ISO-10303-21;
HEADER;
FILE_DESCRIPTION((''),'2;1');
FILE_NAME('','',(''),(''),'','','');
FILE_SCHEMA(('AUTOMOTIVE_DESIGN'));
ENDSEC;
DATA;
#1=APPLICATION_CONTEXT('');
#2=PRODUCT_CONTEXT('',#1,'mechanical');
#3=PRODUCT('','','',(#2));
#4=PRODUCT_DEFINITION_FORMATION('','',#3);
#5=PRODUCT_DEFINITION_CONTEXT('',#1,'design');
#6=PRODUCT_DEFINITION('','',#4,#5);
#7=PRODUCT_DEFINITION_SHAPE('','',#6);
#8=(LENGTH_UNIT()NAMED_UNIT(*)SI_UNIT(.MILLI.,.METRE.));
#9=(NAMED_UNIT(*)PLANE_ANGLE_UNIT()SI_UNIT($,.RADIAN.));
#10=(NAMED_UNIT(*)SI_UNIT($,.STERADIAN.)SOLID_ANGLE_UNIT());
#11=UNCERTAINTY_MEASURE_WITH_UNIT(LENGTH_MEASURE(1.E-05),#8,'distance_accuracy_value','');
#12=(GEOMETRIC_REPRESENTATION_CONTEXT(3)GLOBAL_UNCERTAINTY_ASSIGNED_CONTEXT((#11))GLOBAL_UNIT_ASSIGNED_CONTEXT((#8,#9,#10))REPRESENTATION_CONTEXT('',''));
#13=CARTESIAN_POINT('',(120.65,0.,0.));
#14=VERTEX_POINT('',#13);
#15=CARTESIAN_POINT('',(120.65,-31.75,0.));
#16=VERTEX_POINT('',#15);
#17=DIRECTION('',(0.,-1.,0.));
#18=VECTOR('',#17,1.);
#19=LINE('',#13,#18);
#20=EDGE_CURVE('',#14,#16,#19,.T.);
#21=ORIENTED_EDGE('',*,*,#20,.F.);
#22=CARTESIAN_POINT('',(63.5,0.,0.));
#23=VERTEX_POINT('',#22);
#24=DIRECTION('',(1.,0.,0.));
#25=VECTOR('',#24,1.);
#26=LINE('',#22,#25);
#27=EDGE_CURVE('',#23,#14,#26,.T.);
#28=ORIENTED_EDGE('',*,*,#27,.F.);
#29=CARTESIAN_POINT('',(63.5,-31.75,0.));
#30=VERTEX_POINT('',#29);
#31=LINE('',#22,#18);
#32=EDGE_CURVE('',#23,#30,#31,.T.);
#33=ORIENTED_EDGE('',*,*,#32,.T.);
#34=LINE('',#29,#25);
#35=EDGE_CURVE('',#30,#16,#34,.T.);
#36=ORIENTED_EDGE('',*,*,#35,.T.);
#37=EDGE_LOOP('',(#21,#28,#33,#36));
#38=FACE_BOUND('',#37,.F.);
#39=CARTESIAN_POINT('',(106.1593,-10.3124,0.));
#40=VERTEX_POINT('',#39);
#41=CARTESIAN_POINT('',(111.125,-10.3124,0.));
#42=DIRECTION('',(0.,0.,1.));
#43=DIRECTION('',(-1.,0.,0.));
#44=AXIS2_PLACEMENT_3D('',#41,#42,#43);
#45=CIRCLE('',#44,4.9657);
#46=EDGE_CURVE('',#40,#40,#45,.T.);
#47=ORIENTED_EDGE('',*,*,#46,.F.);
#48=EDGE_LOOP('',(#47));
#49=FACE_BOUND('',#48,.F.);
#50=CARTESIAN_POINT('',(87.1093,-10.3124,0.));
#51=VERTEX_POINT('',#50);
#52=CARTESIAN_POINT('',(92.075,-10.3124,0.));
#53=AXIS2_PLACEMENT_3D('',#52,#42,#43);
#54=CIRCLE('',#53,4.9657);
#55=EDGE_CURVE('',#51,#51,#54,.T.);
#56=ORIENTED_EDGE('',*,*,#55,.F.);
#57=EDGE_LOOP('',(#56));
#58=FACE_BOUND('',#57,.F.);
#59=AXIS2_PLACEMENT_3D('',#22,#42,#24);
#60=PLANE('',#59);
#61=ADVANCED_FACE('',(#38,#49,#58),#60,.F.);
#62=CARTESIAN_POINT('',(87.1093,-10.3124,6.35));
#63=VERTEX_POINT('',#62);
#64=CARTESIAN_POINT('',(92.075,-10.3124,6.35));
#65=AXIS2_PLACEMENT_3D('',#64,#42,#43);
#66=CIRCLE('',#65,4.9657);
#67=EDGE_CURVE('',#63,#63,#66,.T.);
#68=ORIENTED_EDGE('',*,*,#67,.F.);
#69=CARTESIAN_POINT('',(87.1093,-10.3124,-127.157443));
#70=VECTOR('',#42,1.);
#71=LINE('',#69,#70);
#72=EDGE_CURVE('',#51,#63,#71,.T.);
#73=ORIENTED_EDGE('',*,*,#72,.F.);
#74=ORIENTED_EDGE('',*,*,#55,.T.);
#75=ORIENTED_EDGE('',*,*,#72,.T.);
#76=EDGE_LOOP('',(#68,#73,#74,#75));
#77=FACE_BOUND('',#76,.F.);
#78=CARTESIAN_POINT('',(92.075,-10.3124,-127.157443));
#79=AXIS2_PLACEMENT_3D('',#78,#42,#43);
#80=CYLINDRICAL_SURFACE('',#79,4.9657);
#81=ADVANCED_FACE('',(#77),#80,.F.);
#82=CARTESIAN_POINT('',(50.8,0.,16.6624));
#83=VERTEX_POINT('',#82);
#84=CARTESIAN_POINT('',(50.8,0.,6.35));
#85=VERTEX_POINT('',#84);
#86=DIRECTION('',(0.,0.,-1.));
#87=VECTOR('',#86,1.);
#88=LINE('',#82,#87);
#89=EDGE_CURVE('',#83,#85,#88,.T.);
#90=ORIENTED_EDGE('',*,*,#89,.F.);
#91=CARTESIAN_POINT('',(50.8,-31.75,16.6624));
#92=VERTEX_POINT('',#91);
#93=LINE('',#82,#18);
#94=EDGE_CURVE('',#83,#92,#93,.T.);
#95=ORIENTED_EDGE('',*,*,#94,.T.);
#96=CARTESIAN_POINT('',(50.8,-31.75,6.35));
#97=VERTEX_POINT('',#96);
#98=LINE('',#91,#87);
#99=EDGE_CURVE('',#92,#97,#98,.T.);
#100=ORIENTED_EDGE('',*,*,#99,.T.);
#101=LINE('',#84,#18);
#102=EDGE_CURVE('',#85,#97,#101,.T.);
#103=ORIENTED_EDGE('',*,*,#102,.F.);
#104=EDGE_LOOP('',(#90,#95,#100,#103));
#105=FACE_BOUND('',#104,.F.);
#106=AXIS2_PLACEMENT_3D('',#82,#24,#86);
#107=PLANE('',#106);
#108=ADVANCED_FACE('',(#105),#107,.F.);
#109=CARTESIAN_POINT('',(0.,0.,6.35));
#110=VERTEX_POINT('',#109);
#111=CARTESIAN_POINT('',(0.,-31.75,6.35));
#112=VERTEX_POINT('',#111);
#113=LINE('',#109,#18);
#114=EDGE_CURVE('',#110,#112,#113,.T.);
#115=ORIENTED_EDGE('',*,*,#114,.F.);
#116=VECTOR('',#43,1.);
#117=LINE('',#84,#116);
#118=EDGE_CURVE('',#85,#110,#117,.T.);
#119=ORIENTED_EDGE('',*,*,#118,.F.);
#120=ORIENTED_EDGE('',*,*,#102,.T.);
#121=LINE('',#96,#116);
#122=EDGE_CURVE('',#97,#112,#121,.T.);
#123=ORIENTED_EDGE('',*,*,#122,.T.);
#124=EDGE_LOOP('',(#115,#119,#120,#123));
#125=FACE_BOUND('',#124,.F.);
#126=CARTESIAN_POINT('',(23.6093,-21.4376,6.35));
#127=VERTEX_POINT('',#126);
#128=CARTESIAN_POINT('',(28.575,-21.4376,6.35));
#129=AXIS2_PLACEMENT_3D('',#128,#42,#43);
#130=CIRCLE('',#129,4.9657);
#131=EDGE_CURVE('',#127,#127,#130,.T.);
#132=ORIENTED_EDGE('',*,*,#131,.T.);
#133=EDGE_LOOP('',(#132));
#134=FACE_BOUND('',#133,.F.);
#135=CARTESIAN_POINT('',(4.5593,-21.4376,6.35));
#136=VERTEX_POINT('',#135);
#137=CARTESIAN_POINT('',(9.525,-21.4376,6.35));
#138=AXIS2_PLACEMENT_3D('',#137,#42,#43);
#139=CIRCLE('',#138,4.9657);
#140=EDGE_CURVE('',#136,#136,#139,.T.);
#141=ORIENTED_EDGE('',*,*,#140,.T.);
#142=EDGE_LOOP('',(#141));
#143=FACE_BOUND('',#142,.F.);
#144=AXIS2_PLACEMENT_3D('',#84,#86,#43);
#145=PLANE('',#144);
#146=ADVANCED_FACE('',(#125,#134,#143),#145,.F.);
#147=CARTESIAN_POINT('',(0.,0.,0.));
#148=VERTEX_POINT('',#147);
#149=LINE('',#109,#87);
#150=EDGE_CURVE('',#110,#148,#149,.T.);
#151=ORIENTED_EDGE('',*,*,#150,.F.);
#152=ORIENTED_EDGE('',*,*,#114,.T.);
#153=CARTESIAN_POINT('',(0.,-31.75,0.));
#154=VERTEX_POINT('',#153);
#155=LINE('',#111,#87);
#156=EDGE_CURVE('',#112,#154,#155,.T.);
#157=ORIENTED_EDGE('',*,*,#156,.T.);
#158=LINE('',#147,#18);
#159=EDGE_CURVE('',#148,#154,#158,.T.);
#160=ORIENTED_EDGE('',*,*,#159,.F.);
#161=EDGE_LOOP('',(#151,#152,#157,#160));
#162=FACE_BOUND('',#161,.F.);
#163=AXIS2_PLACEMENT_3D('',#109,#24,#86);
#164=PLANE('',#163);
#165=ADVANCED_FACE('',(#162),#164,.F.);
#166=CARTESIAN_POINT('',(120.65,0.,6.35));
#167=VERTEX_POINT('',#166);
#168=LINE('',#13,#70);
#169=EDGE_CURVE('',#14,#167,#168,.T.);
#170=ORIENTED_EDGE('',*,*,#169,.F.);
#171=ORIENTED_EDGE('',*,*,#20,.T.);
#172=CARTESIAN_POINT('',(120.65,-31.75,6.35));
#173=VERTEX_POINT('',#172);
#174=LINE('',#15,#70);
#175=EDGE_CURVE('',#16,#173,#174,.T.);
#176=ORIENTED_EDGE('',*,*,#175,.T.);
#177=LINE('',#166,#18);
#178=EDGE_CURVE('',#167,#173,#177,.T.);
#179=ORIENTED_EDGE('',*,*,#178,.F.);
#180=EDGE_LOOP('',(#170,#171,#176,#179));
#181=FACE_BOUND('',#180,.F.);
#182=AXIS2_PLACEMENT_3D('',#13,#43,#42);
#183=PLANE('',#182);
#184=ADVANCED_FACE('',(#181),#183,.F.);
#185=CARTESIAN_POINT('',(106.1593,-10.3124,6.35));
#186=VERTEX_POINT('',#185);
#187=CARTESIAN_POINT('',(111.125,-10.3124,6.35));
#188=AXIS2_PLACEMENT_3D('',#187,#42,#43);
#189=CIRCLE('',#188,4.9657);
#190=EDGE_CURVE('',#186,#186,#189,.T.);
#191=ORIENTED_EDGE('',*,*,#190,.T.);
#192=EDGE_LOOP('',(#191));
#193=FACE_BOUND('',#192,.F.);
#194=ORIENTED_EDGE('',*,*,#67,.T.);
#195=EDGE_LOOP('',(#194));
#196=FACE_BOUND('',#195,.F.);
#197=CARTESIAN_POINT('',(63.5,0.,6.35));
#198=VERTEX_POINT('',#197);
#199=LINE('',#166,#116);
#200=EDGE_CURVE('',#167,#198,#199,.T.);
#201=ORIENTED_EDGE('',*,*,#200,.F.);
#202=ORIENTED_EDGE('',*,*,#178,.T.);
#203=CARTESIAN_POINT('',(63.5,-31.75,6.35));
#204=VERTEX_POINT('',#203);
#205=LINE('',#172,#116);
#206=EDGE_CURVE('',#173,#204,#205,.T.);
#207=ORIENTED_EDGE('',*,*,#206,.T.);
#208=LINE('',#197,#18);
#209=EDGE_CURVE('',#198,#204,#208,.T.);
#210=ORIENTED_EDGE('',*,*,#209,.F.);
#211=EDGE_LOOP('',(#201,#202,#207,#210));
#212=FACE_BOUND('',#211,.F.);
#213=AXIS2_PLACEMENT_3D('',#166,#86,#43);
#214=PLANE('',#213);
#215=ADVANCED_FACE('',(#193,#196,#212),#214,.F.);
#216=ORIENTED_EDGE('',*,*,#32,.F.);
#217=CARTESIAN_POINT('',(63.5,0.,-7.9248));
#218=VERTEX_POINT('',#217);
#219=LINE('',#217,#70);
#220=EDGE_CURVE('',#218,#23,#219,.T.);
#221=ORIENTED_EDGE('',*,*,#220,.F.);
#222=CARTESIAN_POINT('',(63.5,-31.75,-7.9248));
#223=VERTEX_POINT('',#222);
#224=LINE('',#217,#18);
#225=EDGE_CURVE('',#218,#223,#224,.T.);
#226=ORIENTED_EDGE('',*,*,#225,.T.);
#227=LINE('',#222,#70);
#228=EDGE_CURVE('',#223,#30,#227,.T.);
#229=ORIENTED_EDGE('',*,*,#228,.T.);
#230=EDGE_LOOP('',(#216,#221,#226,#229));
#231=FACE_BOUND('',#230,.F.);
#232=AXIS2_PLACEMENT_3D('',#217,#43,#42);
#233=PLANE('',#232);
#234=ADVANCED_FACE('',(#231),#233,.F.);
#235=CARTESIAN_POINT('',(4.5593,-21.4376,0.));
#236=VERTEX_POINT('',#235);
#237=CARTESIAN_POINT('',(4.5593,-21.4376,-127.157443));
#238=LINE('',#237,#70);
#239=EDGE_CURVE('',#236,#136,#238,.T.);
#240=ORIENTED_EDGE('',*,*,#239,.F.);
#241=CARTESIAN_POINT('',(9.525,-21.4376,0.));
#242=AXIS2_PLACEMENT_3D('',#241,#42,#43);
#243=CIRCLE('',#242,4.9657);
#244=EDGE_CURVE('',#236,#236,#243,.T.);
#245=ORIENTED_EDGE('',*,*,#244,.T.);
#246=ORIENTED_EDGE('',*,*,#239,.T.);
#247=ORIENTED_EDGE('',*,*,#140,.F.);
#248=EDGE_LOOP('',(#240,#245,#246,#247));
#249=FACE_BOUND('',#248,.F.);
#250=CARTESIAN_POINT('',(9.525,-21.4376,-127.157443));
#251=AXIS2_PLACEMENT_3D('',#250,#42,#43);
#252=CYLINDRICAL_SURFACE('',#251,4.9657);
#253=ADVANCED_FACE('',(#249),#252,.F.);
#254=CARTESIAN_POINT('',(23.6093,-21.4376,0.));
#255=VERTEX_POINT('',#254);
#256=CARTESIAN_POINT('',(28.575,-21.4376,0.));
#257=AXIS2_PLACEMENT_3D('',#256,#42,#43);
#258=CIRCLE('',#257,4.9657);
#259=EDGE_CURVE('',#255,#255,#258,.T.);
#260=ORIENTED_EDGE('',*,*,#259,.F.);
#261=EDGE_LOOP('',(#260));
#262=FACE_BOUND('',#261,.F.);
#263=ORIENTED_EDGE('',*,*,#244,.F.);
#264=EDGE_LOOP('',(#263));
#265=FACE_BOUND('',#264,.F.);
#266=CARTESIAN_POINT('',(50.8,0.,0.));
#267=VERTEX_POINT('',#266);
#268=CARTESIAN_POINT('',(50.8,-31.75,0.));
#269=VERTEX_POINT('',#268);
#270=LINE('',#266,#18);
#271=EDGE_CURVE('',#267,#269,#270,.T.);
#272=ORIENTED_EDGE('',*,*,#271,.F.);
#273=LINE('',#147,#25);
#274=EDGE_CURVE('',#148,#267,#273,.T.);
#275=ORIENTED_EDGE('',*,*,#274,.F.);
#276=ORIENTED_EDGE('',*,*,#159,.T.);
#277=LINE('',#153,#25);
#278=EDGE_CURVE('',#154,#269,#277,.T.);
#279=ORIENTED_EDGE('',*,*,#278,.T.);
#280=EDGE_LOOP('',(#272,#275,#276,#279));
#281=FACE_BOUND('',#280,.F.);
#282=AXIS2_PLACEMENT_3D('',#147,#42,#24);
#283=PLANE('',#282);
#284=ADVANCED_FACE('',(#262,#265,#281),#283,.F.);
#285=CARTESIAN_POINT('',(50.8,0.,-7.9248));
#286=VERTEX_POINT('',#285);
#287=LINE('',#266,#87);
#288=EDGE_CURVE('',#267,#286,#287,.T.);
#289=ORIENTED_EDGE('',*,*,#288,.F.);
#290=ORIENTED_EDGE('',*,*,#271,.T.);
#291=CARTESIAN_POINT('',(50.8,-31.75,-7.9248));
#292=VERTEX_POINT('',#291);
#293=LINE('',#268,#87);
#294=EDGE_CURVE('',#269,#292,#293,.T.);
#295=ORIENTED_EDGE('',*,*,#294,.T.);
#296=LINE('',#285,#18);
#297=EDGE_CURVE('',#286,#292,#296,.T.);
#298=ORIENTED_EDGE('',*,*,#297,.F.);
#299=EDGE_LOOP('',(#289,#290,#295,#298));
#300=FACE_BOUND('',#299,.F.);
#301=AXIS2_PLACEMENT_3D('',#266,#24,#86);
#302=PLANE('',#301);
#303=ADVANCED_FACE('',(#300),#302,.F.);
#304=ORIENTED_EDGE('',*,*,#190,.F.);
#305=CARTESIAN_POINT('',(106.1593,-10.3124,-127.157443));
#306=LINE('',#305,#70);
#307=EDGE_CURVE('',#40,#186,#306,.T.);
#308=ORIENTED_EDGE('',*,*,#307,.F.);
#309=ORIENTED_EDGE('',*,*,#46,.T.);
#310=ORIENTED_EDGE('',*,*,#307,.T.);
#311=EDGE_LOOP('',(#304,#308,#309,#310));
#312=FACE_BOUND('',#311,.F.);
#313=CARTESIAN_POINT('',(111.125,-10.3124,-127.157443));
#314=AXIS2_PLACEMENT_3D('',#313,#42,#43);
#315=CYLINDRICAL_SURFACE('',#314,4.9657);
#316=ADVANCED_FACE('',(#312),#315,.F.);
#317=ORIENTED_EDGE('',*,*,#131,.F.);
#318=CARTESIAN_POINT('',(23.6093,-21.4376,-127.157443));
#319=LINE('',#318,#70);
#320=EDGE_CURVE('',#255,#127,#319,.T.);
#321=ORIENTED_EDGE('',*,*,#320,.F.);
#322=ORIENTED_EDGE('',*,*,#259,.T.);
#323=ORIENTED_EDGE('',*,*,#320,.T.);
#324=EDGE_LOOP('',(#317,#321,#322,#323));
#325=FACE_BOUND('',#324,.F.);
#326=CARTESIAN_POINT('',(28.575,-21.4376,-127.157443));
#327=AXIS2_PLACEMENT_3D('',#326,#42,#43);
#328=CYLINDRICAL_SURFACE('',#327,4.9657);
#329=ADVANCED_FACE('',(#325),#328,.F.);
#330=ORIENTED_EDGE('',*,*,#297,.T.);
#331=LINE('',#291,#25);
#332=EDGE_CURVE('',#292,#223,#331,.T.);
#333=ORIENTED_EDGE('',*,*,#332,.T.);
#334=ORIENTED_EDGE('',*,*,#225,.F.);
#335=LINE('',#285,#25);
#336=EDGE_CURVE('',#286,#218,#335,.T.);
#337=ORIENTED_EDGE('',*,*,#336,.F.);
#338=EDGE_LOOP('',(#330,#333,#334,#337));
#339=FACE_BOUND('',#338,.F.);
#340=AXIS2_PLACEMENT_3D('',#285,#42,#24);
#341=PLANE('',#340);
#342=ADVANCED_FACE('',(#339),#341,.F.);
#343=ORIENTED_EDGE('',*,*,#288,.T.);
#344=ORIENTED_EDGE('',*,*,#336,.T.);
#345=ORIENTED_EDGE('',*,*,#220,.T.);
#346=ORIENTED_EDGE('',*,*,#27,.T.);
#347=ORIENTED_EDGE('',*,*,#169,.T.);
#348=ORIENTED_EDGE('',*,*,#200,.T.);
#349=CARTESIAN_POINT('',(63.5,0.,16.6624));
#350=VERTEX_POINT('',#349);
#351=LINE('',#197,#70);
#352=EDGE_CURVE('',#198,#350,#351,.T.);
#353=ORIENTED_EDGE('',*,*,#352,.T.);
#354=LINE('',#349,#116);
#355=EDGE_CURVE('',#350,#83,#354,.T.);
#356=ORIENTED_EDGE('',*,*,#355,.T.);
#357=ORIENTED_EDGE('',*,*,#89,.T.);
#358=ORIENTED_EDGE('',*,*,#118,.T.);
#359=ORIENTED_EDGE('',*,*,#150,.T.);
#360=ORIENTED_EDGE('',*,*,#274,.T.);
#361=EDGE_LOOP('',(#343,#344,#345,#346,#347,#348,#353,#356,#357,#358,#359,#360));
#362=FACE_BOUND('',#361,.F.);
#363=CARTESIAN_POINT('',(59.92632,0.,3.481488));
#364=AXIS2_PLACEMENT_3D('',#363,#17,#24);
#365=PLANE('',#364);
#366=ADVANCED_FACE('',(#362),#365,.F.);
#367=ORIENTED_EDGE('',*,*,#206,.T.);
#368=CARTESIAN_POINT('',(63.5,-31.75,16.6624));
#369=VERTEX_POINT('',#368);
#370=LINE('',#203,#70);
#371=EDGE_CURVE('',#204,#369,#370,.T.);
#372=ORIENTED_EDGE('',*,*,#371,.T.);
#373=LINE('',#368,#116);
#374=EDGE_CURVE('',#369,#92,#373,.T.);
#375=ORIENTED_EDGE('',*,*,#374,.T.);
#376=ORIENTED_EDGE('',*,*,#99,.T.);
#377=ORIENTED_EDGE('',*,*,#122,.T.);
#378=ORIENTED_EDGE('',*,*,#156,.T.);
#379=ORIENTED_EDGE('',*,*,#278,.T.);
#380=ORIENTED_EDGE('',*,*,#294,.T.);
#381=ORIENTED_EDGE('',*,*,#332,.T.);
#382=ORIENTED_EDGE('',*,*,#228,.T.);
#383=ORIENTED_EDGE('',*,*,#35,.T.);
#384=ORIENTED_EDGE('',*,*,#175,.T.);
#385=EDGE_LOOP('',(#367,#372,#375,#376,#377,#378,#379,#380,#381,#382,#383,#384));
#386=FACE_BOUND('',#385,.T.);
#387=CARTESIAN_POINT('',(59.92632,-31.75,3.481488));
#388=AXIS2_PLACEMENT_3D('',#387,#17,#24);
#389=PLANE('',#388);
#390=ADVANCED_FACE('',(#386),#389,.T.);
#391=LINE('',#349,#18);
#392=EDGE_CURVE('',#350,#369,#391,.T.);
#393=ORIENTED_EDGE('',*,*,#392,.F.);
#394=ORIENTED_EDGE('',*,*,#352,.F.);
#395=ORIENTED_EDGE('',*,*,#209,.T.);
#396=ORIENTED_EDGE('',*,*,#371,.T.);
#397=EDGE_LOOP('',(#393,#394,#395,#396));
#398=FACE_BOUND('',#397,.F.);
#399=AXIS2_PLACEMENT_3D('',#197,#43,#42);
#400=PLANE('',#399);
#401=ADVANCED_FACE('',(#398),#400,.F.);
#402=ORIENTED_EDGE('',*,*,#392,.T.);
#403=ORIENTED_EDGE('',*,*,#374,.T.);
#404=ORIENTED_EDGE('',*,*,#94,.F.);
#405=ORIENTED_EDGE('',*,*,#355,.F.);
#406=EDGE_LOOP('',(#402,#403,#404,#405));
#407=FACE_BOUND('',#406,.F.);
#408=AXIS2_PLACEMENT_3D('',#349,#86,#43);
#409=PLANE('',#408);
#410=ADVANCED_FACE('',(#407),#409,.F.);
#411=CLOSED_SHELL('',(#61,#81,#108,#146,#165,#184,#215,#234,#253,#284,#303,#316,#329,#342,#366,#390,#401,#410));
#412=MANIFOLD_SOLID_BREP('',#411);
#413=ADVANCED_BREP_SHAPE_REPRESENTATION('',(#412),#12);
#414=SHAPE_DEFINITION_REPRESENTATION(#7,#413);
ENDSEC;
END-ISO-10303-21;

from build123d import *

# Parameters (mm, degrees)
F1_DEPTH = 31.75
F3_D     = 9.9314


with BuildPart() as f1:
    # F0 (on Front) → F1 (new body)
    with BuildSketch(Plane.XZ):
        Polygon((0, 6.35), (0, 0), (50.8, 0), (50.8, -7.9248), (63.5, -7.9248), (63.5, 0), (120.65, 0), (120.65, 6.35), (63.5, 6.35), (63.5, 16.6624), (50.8, 16.6624), (50.8, 6.35), align=None)
    extrude(amount=F1_DEPTH)

    # F3 (through all)
    with Locations(Plane(origin=(0, 0, 0), x_dir=(1, 0, 0), z_dir=(0, 0, -1))):
        with Locations((111.125, 10.3124), (92.075, 10.3124), (28.575, 21.4376), (9.525, 21.4376)):
            Hole(F3_D / 2)


solid = f1.part
